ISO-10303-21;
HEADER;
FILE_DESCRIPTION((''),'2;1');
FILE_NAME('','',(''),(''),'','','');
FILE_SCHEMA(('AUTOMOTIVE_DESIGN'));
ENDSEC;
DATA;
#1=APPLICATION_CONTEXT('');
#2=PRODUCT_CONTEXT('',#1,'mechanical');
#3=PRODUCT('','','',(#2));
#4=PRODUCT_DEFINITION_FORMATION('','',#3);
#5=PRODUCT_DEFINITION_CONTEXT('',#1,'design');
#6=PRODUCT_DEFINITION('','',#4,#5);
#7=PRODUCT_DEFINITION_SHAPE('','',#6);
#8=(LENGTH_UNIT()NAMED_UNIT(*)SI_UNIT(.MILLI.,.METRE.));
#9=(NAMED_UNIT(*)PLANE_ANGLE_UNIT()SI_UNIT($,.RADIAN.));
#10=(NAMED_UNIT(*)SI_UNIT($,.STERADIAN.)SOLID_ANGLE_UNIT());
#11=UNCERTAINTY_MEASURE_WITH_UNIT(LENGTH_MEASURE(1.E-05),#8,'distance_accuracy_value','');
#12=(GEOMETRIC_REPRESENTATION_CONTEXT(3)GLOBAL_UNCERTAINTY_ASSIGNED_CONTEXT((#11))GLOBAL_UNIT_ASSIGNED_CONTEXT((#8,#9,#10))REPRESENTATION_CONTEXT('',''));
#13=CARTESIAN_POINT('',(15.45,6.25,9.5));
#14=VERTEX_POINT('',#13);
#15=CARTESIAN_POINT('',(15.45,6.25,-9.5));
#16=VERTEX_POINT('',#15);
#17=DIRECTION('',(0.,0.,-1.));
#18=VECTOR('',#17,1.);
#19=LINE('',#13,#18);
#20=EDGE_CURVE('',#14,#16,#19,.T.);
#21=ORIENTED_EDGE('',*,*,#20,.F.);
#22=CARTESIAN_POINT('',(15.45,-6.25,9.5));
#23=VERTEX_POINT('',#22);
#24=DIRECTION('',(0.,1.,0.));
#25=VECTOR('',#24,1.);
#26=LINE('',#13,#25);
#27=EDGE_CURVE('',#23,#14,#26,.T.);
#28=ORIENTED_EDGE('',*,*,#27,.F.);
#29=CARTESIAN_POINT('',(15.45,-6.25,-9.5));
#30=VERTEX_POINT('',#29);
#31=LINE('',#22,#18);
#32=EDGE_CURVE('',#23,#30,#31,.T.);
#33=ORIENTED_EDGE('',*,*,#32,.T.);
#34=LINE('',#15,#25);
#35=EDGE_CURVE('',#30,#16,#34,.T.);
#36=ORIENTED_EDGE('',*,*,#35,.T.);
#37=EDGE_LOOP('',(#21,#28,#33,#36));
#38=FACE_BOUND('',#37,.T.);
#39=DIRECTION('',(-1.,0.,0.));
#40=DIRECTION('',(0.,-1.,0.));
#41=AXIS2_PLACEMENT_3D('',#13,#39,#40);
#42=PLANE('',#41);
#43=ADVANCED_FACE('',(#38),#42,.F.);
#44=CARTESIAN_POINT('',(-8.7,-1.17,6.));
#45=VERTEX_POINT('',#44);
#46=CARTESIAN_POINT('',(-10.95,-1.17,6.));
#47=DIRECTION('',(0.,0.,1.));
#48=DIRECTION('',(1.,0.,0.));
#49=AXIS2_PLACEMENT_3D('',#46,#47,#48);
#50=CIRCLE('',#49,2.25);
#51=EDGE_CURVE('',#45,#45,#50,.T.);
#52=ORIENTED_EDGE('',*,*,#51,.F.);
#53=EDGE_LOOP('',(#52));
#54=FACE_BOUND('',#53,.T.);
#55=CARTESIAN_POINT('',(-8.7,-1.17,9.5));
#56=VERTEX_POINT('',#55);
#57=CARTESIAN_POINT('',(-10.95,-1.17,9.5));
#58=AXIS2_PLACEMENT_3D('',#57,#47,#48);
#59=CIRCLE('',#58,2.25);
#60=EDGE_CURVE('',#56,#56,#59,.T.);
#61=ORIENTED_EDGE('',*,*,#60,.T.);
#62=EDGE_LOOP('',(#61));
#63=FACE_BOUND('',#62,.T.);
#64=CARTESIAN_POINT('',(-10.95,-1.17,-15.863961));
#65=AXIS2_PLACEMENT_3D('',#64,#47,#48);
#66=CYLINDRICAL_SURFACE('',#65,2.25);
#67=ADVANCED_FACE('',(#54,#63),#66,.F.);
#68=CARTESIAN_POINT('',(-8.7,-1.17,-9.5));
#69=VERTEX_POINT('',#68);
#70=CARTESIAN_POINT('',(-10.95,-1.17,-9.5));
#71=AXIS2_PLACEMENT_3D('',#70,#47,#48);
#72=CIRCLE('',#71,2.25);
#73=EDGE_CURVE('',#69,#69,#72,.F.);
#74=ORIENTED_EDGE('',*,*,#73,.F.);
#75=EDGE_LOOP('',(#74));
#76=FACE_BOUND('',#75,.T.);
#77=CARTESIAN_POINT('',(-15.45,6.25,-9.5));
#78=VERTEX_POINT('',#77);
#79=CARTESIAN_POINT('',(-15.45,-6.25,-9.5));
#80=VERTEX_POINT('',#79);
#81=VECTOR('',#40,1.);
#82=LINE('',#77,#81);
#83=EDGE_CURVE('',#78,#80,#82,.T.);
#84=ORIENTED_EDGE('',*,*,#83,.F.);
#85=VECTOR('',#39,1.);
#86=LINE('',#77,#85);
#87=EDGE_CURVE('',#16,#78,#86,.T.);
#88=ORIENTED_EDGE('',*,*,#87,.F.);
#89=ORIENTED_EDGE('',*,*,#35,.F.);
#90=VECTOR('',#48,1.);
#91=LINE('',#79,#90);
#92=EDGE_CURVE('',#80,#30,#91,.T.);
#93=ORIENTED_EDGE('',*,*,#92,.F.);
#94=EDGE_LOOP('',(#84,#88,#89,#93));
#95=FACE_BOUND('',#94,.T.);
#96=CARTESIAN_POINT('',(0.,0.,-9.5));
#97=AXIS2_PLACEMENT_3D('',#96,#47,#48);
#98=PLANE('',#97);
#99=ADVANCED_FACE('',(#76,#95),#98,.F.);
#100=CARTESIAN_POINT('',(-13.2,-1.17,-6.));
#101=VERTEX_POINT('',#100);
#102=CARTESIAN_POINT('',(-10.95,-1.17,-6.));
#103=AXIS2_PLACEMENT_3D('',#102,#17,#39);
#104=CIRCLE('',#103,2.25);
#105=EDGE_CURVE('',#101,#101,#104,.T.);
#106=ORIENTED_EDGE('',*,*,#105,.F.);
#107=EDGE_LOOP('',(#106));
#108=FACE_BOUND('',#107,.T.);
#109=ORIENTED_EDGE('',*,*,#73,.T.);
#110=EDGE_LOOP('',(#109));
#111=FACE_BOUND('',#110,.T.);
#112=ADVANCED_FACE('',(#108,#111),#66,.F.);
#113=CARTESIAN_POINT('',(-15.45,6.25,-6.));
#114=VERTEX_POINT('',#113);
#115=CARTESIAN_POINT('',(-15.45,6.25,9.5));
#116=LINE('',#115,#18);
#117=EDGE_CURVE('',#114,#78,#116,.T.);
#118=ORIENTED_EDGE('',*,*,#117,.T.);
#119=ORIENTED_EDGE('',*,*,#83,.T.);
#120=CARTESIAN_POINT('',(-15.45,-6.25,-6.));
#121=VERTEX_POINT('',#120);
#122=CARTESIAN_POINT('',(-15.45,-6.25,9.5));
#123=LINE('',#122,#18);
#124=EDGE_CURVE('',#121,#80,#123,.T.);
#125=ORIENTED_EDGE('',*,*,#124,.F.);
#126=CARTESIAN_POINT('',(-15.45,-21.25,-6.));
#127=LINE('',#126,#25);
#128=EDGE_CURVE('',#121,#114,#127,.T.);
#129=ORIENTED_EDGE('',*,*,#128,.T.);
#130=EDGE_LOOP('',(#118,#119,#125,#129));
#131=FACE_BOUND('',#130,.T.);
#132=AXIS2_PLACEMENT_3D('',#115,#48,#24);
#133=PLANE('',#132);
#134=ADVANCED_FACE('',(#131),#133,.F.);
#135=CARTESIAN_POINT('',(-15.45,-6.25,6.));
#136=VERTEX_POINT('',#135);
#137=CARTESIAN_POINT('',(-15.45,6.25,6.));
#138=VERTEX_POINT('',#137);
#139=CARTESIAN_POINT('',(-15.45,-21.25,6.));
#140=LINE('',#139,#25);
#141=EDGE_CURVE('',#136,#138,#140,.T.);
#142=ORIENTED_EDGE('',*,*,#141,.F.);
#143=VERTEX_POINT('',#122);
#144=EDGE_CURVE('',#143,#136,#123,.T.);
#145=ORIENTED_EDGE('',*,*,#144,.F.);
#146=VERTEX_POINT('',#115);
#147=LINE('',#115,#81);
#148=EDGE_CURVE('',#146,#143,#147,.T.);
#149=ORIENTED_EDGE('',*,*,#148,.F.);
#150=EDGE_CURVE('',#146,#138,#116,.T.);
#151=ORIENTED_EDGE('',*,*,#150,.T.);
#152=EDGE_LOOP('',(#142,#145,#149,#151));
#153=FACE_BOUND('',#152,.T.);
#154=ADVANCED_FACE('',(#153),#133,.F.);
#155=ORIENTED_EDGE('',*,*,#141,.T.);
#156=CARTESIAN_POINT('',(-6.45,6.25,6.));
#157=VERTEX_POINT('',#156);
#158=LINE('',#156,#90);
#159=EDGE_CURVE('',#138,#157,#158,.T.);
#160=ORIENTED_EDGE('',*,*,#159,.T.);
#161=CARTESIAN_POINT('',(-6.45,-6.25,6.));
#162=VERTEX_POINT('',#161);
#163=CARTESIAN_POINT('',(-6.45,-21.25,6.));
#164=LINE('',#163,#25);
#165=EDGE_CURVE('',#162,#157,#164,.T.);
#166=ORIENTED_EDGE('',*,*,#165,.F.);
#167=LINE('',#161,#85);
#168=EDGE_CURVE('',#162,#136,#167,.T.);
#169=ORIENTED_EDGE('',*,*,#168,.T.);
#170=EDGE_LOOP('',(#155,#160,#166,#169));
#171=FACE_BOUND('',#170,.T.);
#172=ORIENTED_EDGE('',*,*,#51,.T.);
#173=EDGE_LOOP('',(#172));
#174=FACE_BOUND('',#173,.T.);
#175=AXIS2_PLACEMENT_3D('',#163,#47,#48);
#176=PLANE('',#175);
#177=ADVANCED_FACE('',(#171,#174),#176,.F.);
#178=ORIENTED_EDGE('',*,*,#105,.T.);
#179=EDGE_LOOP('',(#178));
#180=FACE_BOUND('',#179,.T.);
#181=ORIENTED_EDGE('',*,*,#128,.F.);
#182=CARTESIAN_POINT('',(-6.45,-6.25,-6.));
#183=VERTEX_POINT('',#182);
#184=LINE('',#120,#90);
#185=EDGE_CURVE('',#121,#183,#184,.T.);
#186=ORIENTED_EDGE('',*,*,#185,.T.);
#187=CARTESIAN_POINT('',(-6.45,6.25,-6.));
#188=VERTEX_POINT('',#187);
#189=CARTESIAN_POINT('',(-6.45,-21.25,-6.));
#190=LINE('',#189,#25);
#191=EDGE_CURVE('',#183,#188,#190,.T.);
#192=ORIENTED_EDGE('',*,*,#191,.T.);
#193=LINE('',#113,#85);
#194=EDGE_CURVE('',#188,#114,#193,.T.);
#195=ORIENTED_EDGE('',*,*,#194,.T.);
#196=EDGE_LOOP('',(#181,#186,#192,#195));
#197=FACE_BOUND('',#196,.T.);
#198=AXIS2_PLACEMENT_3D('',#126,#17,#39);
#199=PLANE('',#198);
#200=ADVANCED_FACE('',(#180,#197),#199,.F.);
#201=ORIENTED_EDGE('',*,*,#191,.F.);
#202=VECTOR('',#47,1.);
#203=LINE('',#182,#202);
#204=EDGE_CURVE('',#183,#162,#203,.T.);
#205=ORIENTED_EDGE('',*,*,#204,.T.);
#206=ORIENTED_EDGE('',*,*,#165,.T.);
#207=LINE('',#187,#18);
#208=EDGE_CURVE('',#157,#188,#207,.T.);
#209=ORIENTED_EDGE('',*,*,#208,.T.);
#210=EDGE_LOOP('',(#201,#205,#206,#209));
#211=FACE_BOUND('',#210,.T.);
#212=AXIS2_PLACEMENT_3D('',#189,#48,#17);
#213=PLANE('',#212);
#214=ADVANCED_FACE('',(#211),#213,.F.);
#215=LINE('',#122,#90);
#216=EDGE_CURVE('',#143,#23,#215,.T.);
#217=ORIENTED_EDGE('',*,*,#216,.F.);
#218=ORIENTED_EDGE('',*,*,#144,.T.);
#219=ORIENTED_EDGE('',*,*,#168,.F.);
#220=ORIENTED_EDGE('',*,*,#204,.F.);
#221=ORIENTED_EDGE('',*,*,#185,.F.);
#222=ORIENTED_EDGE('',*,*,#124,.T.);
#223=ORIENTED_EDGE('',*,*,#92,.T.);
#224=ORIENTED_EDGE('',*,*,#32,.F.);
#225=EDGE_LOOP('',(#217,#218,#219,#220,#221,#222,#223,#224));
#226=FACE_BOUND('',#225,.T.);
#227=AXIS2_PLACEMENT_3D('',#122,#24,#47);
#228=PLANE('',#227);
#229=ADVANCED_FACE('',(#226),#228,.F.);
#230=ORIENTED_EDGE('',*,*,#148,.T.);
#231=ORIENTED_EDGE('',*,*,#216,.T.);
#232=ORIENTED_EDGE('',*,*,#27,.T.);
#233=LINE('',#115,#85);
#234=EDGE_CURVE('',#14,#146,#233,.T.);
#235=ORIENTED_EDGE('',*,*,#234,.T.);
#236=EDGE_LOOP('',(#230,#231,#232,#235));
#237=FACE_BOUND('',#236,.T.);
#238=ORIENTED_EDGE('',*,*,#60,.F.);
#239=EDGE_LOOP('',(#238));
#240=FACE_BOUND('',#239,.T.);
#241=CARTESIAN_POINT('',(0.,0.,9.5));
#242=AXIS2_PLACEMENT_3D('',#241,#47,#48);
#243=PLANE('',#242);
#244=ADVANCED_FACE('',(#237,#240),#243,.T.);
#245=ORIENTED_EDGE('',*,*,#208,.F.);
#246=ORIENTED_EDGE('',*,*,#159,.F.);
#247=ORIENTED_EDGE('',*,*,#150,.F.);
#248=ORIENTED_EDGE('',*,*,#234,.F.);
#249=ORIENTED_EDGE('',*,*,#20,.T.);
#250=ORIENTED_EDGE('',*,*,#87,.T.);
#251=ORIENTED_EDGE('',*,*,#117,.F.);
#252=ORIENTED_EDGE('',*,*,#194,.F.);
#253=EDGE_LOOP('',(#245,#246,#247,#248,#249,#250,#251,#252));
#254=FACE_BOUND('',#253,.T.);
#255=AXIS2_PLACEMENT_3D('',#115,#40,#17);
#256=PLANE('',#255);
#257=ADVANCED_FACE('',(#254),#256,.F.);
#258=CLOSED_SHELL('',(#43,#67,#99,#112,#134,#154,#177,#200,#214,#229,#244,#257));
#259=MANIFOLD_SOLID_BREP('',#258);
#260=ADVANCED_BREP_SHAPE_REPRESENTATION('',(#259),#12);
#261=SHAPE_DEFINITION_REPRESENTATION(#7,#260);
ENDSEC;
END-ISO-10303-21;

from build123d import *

# Parameters (mm, degrees)
SKETCH1_W           = 30.9
SKETCH1_H           = 12.5
BOSS_EXTRUDE1_DEPTH = 9.499999986
SKETCH2_W           = 9
SKETCH2_H           = 12
CUT_EXTRUDE1_DEPTH  = 12.5
SKETCH3_R           = 2.25
CUT_EXTRUDE2_DEPTH  = 19


with BuildPart() as part:
    # Sketch1 → Boss-Extrude1 (new body, symmetric)
    with BuildSketch(Plane.XY):
        Rectangle(SKETCH1_W, SKETCH1_H)
    extrude(amount=BOSS_EXTRUDE1_DEPTH, both=True)

    # Sketch2 → Cut-Extrude1 (cut)
    with BuildSketch(Plane(origin=(0, 6.25, 0), x_dir=(1, 0, 0), z_dir=(0, 1, 0))):
        with Locations((-10.95, 0)):
            Rectangle(SKETCH2_W, SKETCH2_H)
    extrude(amount=-CUT_EXTRUDE1_DEPTH, mode=Mode.SUBTRACT)

    # Sketch3 → Cut-Extrude2 (cut)
    with BuildSketch(Plane.XY.offset(9.499999986)):
        with Locations((-10.95, -1.17)):
            Circle(SKETCH3_R)
    extrude(amount=-CUT_EXTRUDE2_DEPTH, mode=Mode.SUBTRACT)


solid = part.part
